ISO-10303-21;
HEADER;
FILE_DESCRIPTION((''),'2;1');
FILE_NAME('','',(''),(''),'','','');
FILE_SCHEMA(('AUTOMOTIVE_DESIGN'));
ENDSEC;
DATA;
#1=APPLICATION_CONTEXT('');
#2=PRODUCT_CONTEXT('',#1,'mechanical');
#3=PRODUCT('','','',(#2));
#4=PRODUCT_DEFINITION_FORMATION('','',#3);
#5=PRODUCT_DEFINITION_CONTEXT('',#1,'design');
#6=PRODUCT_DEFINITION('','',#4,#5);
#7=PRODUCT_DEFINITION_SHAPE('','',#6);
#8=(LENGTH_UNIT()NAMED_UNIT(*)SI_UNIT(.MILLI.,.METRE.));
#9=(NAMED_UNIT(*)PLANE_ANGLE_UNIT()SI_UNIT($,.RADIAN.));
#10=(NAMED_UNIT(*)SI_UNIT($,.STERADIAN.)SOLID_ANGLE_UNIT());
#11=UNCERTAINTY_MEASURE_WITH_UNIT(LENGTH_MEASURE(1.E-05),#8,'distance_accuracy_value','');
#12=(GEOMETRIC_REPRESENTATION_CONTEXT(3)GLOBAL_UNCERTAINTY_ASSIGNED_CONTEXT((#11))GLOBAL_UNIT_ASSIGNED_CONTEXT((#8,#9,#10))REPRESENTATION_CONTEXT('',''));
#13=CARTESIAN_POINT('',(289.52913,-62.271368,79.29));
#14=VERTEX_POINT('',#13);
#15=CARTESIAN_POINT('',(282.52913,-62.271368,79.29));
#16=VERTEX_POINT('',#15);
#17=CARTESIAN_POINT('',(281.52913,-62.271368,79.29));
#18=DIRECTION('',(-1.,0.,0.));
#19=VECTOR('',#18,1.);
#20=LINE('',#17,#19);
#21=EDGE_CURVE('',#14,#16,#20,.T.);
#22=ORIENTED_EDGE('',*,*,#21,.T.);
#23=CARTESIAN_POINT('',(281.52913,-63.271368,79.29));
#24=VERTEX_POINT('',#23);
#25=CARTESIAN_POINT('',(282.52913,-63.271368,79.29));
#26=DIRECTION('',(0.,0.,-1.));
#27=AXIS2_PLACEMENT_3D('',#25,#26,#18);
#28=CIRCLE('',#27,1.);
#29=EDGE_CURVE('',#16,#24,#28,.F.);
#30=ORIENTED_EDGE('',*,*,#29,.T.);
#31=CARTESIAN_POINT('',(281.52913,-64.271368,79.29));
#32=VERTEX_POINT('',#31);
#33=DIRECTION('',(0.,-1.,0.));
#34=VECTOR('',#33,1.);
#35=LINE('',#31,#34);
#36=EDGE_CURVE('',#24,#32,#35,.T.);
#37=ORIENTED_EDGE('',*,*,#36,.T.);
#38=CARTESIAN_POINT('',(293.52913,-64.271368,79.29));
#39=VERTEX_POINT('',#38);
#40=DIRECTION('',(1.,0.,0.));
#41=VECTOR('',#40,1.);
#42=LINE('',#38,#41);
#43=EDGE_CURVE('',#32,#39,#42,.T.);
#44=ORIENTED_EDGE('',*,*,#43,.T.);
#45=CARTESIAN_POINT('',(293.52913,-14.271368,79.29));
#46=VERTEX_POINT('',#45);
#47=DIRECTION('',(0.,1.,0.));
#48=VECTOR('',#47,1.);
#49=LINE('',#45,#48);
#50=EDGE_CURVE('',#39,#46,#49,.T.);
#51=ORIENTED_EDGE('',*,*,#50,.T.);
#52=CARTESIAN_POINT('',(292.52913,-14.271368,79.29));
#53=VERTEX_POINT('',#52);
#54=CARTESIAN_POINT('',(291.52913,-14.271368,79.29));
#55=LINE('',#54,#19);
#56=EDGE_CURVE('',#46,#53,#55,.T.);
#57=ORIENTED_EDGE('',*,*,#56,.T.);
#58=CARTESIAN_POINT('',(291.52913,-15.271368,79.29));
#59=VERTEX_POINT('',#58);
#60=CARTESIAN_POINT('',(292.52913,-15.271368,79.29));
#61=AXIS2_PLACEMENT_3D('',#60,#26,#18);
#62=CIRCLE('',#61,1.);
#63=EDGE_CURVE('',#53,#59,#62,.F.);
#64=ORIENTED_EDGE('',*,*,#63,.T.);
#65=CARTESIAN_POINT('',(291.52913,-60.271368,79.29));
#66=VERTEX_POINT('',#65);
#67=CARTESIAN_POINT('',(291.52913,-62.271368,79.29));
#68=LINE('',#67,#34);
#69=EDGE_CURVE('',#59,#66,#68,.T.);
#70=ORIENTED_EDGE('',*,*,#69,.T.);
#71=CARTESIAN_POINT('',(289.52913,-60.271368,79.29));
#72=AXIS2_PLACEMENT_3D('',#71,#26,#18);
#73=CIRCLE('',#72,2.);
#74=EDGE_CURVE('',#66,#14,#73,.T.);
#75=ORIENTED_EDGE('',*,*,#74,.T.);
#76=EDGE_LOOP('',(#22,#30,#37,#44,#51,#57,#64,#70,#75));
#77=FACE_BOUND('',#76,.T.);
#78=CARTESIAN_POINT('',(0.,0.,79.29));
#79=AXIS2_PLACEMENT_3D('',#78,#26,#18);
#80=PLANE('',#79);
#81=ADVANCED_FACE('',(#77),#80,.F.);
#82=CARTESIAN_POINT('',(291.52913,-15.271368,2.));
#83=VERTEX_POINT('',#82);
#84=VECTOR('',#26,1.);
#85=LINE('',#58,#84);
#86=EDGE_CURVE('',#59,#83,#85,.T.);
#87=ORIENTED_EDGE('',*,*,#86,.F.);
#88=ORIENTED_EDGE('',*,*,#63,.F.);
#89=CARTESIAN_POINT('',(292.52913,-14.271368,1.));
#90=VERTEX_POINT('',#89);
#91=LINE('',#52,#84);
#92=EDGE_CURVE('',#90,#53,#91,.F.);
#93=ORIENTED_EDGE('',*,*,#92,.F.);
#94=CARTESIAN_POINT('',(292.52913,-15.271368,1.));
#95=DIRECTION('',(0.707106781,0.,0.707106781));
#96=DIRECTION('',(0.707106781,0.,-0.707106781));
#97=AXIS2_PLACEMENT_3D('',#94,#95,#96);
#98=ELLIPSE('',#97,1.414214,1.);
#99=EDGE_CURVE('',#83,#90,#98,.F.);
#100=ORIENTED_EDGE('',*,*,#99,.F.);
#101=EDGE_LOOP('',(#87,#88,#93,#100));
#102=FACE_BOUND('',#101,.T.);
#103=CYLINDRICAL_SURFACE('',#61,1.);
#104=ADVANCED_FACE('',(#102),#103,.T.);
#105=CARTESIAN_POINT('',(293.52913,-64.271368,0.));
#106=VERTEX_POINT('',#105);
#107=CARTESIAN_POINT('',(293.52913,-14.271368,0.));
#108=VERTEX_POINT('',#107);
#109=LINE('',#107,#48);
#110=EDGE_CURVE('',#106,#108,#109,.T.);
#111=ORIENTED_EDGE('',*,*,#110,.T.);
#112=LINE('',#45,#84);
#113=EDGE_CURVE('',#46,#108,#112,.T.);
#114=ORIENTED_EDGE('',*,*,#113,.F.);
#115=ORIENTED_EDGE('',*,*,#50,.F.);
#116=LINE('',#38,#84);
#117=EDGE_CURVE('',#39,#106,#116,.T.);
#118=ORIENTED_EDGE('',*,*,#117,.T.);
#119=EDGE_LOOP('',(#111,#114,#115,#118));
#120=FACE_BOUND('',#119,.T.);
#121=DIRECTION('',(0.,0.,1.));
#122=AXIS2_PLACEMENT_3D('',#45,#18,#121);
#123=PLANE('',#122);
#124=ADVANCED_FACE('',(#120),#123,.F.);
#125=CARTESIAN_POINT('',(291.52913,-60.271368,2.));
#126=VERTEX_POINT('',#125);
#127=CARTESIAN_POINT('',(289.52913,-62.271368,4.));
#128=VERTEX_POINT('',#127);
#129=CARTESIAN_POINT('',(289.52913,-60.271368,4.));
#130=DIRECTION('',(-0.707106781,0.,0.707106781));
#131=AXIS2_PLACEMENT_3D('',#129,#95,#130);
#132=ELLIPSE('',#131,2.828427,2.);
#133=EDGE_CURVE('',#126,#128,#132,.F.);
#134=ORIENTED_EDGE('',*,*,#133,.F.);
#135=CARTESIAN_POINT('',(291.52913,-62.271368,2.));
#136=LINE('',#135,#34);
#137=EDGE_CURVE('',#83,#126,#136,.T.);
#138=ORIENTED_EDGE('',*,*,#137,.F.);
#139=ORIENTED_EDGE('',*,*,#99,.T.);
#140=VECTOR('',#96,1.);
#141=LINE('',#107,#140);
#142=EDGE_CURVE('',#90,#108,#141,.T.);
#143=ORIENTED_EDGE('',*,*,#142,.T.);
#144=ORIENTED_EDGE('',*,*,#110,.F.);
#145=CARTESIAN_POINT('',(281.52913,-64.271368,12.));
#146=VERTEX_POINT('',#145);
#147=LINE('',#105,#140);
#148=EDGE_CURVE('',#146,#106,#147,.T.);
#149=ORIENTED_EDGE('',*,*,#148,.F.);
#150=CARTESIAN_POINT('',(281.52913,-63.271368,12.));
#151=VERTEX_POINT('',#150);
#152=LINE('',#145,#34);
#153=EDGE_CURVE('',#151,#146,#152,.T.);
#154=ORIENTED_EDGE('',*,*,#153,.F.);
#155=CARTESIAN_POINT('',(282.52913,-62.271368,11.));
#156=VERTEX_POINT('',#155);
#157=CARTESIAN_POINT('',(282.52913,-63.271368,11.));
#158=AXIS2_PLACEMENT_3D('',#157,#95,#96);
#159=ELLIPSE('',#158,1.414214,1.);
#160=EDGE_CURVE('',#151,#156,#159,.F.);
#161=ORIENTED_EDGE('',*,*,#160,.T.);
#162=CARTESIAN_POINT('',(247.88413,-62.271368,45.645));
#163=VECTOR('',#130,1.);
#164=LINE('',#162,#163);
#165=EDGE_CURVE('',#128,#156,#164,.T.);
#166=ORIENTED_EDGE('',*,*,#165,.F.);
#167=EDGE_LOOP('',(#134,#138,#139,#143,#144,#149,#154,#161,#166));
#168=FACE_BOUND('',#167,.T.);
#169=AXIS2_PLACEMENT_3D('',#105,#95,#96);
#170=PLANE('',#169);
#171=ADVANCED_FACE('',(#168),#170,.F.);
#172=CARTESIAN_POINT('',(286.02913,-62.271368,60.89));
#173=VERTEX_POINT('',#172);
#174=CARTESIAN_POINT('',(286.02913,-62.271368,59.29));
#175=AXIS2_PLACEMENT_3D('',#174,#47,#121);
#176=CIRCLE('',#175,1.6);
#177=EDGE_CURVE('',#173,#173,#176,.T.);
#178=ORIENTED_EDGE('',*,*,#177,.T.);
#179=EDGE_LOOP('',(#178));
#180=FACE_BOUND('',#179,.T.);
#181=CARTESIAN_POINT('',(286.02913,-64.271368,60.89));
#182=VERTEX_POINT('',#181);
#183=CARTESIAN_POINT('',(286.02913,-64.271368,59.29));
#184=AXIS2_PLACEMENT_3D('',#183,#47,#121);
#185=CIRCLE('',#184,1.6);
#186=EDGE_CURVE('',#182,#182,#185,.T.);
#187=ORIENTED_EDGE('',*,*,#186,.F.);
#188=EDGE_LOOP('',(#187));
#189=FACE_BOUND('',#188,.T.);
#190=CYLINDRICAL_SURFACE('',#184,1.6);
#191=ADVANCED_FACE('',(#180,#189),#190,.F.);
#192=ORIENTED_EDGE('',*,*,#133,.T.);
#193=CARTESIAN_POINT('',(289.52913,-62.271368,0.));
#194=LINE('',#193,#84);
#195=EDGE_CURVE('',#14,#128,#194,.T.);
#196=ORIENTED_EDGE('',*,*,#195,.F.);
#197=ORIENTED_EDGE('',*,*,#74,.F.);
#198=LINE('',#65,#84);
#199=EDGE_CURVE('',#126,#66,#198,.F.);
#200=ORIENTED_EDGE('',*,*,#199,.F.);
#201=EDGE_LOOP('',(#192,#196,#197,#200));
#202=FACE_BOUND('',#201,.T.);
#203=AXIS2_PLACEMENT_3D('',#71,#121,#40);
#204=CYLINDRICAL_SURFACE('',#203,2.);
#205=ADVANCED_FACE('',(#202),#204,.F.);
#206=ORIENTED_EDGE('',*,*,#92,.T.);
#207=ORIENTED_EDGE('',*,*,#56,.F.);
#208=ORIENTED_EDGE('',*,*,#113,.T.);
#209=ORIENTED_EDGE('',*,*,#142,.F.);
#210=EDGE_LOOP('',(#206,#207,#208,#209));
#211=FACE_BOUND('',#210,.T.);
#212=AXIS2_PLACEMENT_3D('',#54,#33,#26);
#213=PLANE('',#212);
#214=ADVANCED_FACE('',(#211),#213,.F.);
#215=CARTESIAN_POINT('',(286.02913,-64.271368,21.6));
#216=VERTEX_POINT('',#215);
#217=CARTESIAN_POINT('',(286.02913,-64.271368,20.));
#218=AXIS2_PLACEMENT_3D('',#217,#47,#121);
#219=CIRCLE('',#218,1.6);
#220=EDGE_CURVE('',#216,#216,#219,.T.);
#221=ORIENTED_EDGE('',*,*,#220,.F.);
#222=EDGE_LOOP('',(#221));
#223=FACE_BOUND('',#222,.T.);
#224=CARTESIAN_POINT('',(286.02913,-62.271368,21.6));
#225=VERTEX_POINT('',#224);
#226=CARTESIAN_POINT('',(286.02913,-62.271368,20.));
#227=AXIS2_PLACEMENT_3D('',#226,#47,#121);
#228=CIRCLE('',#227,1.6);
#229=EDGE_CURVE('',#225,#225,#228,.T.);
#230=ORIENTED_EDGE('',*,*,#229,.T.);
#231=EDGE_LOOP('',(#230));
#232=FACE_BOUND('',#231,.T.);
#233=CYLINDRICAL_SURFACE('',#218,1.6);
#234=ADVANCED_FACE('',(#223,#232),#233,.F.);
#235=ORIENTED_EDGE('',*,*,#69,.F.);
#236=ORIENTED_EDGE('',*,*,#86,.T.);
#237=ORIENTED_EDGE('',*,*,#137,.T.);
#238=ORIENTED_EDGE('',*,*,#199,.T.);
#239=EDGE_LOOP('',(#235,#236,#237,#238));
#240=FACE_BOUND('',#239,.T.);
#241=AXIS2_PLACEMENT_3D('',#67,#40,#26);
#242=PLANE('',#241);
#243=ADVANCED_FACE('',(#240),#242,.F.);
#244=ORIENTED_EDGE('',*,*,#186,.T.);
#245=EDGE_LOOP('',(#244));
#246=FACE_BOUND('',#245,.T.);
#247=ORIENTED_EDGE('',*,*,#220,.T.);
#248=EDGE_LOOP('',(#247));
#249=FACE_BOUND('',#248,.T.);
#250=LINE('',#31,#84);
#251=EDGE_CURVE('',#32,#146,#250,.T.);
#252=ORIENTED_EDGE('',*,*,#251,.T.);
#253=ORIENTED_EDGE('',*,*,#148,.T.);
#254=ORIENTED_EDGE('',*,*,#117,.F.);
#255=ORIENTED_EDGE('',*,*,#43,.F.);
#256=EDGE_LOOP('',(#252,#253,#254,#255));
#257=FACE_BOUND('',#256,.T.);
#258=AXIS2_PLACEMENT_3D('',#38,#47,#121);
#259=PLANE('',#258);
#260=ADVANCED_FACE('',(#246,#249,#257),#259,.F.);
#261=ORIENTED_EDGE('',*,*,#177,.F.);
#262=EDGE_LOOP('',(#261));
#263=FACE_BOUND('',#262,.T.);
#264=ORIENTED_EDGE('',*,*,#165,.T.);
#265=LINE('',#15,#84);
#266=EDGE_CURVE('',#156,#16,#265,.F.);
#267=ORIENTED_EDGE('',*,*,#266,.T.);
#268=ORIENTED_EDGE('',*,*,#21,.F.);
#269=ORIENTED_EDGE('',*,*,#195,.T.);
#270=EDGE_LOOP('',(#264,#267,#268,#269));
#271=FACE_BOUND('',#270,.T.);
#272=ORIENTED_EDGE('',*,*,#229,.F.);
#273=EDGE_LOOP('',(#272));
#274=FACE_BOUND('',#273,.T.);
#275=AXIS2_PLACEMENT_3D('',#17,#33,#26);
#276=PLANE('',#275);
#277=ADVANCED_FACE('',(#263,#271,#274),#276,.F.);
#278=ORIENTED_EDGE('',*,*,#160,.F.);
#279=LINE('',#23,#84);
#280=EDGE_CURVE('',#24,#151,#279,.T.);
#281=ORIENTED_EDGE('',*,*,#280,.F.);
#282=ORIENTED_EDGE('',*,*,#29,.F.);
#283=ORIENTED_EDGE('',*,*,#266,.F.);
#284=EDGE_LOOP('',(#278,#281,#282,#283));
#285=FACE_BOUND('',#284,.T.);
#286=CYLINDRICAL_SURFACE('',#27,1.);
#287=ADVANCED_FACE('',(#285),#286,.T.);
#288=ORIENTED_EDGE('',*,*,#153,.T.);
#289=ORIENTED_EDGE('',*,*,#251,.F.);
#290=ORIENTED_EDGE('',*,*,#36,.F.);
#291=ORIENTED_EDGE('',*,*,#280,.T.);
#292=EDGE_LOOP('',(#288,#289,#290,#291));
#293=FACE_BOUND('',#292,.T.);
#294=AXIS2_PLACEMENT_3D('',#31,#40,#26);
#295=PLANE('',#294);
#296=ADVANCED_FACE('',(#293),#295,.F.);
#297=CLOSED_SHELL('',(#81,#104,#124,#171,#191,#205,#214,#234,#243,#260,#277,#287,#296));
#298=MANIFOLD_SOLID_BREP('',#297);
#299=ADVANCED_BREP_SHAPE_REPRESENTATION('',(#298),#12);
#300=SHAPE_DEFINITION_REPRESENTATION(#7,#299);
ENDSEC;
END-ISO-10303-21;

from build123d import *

# Parameters (mm, degrees)
BOSS_EXTRUDE1_DEPTH     = 79.29
FILLET1_R               = 1
FILLET2_R               = 2
SKETCH2_R               = 1.6
CUT_EXTRUDE1_DEPTH      = 308.8152925
CUT_EXTRUDE4_DEPTH      = 308.8152925
CUT_EXTRUDE4_DEPTH_BACK = 308.8152925


with BuildPart() as part:
    # Sketch1 → Boss-Extrude1 (new body)
    with BuildSketch(Plane.XY):
        Polygon((293.529130065, -14.271367807), (293.529130065, -64.271367807), (281.529130065, -64.271367807), (281.529130065, -62.271367807), (291.529130065, -62.271367807), (291.529130065, -14.271367807), align=None)
    extrude(amount=BOSS_EXTRUDE1_DEPTH)

    # Fillet1
    fillet1_edges = [part.edges().sort_by_distance(p)[0] for p in [
        (281.529130065, -62.271367807, 39.645),
        (291.529130065, -14.271367807, 39.645),
    ]]
    fillet(fillet1_edges, radius=FILLET1_R)

    # Fillet2
    fillet2_edges = [part.edges().sort_by_distance(p)[0] for p in [
        (291.529130065, -62.271367807, 39.645),
    ]]
    fillet(fillet2_edges, radius=FILLET2_R)

    # Sketch2 → Cut-Extrude1 (cut, through all)
    with BuildSketch(Plane(origin=(0, -62.271367807, 0), x_dir=(1, 0, 0), z_dir=(0, 1, 0))):
        with Locations(Location((286.029130065, -20, 0), (0, 0, 270))):
            Circle(SKETCH2_R)
        with Locations(Location((286.029130065, -59.29, 0), (0, 0, 270))):
            Circle(SKETCH2_R)
    extrude(amount=-CUT_EXTRUDE1_DEPTH, mode=Mode.SUBTRACT)

    # Sketch3 → Cut-Extrude4 (cut, two sides: drawn at the far end of the back side and taken through both)
    with BuildSketch(Plane(origin=(0, -62.271367807, 0), x_dir=(1, 0, 0), z_dir=(0, 1, 0)).offset(-CUT_EXTRUDE4_DEPTH_BACK)):
        Polygon((293.529130065, 0), (281.33161049, -12.197519575), (281.33161049, 1.118185929), (293.529130065, 1.118185929), align=None)
    extrude(amount=CUT_EXTRUDE4_DEPTH + CUT_EXTRUDE4_DEPTH_BACK, mode=Mode.SUBTRACT)


solid = part.part
